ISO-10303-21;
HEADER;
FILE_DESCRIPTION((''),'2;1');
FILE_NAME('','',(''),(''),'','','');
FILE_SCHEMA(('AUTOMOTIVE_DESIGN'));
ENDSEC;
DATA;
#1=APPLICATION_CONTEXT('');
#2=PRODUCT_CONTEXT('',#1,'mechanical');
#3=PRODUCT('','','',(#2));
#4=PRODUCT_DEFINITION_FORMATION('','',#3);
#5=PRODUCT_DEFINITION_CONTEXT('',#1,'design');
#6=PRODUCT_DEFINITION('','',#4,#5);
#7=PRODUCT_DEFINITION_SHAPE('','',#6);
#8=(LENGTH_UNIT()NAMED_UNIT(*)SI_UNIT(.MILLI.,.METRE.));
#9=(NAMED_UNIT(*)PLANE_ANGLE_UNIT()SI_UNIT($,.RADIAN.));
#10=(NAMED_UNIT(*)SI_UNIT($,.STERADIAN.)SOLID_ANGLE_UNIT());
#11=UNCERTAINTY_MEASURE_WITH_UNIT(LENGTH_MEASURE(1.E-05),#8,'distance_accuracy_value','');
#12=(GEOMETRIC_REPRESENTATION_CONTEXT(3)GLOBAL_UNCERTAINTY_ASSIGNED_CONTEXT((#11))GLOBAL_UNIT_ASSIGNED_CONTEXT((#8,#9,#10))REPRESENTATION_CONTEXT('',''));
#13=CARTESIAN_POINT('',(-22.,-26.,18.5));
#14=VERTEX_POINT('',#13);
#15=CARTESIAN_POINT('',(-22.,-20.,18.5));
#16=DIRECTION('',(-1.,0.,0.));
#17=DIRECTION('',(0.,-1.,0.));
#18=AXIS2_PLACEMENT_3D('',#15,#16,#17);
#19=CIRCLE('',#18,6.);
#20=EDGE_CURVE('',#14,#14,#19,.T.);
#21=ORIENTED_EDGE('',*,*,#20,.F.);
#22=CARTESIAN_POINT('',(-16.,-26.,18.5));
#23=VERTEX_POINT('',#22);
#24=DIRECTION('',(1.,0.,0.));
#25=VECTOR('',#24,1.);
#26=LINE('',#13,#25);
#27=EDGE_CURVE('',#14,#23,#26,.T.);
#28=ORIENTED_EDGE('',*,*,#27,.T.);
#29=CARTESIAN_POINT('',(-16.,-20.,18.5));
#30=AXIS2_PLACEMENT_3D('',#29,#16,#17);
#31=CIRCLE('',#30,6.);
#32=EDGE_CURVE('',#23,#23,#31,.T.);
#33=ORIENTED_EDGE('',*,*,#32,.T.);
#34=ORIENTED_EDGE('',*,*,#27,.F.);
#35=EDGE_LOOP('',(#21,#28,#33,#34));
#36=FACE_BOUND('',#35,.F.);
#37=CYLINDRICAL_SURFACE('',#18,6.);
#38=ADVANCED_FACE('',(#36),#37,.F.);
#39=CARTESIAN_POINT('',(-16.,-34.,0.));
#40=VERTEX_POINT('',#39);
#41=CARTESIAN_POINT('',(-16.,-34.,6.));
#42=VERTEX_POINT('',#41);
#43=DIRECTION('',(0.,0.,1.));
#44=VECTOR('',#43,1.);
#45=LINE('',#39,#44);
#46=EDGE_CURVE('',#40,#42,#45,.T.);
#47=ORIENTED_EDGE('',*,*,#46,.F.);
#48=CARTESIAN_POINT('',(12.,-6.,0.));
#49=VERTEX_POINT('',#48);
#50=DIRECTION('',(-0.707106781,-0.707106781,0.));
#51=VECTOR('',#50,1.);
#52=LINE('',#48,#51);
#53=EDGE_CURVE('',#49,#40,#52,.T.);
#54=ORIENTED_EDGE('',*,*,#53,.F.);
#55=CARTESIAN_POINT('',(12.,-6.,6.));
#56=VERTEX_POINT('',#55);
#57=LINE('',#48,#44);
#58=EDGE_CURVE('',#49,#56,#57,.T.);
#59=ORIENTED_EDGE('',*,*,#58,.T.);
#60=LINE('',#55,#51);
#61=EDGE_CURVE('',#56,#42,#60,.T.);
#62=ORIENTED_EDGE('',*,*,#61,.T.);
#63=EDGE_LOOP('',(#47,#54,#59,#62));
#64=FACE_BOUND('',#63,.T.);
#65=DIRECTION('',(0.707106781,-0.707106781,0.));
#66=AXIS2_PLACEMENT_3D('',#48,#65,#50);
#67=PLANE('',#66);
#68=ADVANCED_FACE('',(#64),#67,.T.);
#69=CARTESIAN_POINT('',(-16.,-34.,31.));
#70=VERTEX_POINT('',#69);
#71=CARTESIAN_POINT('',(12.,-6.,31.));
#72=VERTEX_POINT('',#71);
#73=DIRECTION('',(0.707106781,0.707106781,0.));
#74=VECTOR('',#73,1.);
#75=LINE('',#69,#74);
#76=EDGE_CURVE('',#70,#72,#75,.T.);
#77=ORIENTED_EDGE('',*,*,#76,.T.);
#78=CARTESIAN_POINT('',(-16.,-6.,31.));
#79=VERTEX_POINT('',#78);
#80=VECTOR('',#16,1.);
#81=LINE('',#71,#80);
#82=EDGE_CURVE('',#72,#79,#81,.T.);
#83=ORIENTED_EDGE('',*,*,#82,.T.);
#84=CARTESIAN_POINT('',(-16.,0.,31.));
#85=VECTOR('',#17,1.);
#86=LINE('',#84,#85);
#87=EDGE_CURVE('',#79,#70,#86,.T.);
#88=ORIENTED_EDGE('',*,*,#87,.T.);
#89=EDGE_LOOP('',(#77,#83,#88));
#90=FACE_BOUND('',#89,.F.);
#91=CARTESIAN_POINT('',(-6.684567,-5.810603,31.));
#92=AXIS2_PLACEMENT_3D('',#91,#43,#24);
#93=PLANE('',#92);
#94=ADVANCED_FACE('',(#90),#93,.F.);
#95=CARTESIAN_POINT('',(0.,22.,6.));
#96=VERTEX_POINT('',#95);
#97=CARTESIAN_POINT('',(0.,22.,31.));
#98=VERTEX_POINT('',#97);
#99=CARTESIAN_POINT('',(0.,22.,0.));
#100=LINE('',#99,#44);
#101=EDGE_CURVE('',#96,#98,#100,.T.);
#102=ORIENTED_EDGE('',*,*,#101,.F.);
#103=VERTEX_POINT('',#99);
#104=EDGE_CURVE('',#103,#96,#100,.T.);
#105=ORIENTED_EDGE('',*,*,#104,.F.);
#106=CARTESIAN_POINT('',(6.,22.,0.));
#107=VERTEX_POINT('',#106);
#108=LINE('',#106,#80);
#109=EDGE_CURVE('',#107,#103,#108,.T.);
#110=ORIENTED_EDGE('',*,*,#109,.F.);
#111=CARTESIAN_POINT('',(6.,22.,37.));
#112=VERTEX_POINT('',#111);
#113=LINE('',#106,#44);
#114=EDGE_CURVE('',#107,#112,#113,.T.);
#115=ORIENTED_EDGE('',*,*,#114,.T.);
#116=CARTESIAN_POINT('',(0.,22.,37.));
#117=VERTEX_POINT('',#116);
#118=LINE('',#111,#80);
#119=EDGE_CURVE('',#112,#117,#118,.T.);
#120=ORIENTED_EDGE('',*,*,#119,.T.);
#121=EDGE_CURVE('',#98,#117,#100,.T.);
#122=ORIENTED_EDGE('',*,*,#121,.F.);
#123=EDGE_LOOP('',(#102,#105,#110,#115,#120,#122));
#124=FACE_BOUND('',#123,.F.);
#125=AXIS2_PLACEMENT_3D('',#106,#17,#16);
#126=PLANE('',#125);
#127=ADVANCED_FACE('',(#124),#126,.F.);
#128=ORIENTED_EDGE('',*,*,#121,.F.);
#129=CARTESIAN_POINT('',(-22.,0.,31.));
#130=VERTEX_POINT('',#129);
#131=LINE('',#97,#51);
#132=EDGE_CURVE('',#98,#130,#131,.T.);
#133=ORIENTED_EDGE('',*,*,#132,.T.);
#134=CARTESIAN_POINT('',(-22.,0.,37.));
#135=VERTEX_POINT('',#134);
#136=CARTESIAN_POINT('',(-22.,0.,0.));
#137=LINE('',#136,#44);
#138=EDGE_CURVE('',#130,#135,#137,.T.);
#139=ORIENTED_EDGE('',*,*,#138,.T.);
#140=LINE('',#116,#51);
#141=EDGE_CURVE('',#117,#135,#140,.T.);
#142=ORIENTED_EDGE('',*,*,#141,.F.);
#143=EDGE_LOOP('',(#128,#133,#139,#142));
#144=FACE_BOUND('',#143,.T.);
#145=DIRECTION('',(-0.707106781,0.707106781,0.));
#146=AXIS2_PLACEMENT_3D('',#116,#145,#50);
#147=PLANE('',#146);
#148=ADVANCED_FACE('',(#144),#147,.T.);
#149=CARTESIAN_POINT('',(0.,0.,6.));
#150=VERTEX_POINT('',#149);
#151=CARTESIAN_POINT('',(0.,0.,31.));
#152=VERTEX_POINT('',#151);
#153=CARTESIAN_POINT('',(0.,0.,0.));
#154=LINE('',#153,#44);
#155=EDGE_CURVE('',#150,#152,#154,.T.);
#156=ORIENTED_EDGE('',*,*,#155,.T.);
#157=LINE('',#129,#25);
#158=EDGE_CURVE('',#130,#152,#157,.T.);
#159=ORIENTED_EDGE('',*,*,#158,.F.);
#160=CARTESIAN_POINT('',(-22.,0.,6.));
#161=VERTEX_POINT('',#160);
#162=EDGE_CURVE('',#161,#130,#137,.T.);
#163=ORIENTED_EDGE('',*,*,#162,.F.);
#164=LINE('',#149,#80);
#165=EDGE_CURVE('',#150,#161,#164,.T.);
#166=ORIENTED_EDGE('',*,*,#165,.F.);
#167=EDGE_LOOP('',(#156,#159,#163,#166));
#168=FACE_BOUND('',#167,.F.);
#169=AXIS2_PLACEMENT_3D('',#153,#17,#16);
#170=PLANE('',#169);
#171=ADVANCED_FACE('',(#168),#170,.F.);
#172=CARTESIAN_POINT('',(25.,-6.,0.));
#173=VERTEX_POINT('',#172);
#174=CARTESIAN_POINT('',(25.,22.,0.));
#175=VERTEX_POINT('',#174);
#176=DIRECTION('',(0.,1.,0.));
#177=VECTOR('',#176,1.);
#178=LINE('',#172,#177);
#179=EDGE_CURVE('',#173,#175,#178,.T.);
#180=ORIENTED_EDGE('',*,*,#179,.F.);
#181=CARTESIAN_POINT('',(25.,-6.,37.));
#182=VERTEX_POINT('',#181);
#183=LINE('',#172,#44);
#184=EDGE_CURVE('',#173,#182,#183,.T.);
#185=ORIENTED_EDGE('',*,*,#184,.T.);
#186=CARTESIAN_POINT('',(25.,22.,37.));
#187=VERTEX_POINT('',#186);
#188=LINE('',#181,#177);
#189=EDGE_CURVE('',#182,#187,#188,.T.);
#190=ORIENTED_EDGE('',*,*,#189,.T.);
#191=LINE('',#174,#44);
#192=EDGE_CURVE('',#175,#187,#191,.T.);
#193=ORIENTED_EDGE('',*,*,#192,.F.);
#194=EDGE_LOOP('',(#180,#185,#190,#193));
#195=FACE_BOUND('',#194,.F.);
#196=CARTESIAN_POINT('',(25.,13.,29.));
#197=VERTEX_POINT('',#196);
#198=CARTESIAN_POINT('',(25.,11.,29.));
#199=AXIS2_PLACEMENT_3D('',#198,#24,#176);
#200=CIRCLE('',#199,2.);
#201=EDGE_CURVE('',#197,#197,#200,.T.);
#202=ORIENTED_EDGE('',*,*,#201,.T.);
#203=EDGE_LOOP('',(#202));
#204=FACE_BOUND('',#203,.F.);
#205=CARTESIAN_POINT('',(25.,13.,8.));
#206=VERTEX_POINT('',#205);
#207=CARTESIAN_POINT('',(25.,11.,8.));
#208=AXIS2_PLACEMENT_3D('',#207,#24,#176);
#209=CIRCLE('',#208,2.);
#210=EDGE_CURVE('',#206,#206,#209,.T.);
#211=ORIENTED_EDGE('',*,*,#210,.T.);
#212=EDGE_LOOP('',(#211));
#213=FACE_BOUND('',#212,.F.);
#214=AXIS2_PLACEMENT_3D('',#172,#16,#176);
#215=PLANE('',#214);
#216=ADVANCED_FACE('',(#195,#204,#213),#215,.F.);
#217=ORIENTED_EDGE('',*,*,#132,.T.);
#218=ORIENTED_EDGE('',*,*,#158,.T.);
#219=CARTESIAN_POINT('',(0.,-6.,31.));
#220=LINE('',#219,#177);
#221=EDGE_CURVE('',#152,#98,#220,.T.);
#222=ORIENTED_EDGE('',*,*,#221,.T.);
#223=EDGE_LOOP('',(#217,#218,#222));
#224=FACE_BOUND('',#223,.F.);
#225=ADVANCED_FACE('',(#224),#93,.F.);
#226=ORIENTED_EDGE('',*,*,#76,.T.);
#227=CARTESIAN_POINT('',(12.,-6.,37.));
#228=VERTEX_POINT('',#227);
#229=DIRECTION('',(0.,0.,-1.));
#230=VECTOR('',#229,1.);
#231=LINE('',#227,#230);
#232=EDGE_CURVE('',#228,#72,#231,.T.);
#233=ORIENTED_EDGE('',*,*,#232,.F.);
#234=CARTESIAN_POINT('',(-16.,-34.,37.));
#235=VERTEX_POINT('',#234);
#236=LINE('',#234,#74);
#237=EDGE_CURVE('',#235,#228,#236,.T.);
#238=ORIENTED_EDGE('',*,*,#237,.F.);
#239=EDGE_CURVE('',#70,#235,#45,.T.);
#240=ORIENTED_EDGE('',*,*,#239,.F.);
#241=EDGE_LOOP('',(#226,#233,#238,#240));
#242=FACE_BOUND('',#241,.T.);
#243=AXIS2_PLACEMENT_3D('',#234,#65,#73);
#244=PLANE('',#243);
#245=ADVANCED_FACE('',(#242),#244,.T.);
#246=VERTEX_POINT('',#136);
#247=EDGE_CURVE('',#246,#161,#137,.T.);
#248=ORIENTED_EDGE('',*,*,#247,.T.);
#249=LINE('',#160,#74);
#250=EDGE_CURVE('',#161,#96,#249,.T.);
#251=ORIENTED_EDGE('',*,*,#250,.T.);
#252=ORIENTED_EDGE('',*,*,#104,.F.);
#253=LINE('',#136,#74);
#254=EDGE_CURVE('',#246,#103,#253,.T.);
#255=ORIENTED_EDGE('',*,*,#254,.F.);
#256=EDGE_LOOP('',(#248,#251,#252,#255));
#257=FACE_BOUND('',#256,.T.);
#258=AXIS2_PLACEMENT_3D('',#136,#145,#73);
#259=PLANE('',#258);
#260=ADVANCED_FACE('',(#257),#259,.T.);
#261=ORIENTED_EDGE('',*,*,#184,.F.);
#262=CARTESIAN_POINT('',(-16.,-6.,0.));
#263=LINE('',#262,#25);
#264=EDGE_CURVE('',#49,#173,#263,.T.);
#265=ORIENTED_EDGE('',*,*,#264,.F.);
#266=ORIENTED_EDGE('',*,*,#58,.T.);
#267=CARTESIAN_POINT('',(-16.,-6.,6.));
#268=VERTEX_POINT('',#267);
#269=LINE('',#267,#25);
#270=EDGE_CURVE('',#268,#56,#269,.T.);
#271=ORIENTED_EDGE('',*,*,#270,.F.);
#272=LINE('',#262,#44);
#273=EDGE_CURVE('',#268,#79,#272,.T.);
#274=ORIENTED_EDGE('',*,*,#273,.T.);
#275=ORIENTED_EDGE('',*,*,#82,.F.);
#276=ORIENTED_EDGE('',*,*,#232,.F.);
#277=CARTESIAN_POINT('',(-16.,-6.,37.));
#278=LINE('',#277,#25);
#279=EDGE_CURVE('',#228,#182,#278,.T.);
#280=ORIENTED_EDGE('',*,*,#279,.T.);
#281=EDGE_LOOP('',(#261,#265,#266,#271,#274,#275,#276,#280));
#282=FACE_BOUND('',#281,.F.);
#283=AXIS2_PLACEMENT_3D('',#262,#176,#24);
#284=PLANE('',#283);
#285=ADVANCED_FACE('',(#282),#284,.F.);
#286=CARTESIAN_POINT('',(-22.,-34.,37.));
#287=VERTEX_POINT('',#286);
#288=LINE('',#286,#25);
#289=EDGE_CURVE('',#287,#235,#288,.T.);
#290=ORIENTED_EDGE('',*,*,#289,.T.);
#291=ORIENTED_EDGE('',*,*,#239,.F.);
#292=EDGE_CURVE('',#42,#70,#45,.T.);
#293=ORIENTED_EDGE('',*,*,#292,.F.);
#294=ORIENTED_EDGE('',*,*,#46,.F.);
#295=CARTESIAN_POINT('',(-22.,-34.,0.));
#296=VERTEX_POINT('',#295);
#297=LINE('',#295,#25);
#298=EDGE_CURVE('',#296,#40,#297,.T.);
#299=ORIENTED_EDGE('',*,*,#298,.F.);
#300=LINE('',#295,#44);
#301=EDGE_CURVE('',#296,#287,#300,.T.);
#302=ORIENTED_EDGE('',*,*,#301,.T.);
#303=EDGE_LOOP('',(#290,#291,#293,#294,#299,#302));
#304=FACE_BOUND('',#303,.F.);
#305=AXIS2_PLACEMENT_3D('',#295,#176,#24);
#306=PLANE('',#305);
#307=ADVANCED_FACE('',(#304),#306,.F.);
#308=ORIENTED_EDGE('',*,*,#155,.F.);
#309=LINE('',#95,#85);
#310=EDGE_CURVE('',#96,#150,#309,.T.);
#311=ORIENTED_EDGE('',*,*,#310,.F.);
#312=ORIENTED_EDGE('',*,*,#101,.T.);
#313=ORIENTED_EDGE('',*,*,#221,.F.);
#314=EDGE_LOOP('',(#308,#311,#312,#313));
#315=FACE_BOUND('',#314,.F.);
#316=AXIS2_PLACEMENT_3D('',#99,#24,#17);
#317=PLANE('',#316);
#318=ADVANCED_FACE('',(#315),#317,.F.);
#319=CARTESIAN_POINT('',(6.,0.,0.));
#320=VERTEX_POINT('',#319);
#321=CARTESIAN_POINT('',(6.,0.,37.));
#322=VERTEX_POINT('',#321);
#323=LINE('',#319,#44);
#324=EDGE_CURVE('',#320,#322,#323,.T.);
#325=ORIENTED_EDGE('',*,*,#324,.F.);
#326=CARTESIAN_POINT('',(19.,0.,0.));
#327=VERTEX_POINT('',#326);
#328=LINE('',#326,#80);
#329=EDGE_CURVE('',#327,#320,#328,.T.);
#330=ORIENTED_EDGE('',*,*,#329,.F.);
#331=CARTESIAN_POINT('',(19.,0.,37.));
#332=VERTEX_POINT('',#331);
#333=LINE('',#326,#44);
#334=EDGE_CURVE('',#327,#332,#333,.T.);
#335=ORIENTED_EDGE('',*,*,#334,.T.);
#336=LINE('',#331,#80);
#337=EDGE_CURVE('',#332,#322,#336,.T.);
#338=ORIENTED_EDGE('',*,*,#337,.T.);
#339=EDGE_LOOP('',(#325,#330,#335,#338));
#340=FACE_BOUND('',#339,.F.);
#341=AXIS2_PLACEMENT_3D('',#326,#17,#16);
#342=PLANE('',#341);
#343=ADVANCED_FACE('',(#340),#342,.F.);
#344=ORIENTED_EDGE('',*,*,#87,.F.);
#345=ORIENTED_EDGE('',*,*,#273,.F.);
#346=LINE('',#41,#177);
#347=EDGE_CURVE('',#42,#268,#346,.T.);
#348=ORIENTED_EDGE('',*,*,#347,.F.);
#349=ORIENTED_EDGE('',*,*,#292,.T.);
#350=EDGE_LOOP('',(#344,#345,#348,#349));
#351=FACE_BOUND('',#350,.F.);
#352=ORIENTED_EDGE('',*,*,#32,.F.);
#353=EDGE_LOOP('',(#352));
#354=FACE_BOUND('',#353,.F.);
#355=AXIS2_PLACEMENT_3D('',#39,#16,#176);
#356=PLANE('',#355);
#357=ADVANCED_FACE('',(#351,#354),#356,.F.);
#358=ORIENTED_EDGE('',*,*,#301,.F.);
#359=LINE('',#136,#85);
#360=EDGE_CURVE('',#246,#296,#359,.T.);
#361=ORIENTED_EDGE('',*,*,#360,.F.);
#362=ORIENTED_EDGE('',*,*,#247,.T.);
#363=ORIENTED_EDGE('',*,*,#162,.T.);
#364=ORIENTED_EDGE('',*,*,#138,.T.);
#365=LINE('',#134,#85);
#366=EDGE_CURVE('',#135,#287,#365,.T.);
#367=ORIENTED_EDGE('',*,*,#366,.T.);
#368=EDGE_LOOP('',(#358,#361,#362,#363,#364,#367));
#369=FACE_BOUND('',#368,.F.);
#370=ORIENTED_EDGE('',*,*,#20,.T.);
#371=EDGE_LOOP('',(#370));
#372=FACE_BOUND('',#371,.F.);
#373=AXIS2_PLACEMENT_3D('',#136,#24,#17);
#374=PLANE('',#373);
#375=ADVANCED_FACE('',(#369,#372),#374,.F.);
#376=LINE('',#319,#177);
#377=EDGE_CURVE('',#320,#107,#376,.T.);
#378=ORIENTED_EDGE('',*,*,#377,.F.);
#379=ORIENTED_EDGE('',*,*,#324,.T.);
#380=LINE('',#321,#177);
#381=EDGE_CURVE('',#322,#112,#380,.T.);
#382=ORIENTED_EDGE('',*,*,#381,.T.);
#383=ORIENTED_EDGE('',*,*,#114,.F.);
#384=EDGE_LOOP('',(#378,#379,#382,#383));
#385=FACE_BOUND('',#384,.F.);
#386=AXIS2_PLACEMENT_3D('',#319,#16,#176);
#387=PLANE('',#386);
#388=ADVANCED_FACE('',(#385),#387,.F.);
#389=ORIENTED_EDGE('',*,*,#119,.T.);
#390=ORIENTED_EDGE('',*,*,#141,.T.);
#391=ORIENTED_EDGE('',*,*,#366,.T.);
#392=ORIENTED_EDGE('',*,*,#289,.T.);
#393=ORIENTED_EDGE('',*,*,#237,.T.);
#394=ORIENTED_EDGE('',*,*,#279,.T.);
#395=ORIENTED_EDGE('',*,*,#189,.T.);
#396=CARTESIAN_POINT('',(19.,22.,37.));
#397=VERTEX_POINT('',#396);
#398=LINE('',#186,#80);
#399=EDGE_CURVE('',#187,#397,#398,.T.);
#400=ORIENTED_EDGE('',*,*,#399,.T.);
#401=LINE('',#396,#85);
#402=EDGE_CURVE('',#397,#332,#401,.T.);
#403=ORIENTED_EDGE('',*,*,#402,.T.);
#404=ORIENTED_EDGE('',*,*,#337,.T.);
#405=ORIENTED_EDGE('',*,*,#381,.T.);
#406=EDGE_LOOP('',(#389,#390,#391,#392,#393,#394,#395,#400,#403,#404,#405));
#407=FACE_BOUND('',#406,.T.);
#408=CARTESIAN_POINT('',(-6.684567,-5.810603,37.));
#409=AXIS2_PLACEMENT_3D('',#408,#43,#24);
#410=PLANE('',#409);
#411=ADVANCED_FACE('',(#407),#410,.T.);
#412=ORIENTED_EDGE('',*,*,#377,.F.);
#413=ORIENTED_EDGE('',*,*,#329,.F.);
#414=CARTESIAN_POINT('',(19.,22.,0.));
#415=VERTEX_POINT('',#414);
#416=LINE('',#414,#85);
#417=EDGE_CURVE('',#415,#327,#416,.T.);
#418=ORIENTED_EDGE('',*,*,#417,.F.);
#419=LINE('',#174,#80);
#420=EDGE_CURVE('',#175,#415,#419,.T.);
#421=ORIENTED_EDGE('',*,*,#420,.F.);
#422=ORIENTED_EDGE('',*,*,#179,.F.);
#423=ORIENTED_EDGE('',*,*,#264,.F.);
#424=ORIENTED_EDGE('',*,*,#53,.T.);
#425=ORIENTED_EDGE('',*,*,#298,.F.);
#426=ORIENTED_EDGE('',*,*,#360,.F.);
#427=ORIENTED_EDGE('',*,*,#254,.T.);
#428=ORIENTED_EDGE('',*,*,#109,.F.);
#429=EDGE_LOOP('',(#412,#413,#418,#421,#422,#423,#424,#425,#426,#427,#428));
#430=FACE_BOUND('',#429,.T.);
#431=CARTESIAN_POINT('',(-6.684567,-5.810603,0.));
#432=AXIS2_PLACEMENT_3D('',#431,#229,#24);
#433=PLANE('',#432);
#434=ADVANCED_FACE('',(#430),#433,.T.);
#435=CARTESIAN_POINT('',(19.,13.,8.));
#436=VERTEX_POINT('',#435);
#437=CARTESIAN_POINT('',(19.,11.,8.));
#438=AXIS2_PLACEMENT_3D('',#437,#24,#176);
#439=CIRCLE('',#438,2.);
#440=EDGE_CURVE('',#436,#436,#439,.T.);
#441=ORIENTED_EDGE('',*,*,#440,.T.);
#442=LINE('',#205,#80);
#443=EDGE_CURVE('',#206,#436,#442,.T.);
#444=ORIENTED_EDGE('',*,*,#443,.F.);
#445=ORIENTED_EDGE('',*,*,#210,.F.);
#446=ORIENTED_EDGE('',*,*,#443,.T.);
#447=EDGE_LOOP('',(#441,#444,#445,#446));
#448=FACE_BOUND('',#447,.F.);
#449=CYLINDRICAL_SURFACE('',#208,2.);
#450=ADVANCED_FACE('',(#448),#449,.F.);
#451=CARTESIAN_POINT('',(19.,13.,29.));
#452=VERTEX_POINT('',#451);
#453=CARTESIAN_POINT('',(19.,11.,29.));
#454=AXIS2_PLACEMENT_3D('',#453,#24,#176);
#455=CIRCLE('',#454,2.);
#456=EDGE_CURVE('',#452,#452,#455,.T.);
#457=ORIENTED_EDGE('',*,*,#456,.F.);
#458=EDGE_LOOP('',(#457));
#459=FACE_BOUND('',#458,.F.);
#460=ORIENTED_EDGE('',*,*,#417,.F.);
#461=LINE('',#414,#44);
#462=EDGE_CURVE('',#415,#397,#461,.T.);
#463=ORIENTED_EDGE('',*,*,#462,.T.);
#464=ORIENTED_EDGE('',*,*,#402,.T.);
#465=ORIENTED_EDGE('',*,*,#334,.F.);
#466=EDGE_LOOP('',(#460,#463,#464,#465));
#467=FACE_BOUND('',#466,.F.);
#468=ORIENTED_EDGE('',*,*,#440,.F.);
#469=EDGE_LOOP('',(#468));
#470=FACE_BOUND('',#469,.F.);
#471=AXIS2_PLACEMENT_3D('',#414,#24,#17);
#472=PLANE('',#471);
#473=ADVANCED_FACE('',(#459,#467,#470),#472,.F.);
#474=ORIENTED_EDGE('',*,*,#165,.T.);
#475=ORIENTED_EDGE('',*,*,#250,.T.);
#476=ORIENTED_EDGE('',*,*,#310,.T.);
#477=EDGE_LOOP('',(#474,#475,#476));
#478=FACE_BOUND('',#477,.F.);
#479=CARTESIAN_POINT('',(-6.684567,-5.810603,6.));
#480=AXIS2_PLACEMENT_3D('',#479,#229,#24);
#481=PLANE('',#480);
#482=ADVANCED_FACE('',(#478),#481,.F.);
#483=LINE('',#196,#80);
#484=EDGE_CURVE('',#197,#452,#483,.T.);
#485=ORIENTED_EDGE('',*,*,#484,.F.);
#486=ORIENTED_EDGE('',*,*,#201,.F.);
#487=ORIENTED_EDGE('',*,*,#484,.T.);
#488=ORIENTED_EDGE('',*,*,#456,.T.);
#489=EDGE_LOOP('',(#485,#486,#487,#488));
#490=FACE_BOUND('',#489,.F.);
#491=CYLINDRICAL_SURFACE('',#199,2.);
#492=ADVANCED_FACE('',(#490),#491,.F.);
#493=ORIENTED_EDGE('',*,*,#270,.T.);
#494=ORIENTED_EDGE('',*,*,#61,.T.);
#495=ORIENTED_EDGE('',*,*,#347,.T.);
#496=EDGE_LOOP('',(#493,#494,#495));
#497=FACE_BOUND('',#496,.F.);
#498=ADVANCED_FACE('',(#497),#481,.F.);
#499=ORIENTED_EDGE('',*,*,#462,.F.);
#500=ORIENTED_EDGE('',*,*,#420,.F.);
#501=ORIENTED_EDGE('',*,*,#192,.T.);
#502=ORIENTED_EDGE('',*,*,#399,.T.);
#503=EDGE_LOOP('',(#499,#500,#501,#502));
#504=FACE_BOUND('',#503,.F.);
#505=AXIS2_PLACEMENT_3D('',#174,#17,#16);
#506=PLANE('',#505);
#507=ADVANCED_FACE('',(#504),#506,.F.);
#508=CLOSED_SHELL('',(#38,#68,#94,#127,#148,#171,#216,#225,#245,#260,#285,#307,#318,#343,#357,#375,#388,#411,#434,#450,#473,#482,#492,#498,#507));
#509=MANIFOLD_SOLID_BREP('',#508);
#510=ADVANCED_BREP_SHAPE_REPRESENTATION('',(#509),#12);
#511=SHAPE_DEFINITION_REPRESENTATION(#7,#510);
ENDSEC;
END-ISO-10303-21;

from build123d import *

# Parameters (mm, degrees)
PAD_DEPTH       = 37
PAD001_DEPTH    = 6
PAD002_DEPTH    = 6
SKETCH003_R     = 6
POCKET_DEPTH    = 47.001
SKETCH004_R     = 2
POCKET001_DEPTH = 6


with BuildPart() as part:
    # Sketch → Pad (new body)
    with BuildSketch(Plane.XY):
        Polygon((0, 0), (-22, 0), (-22, -34), (-16, -34), (-16, -6), (25, -6), (25, 22), (19, 22), (19, 0), (6, 0), (6, 22), (0, 22), align=None)
    extrude(amount=PAD_DEPTH)

    # Sketch001 (on Face14 of Pad) → Pad001 (join)
    with BuildSketch(Plane.XY.offset(37)):
        Polygon((-16, -6), (-16, -34), (12, -6), (0, -6), (0, 0), (0, 22), (-22, 0), (-16, 0), align=None)
    extrude(amount=-PAD001_DEPTH)

    # Sketch002 (on Face2 of Pad001) → Pad002 (join)
    with BuildSketch(Plane(origin=(0, 0, 0), x_dir=(1, 0, 0), z_dir=(0, 0, -1))):
        Polygon((-16, 34), (-16, 0), (-22, 0), (0, -22), (0, 6), (12, 6), align=None)
    extrude(amount=-PAD002_DEPTH)

    # Sketch003 (on Face15 of Pad002) → Pocket (cut, through all)
    with BuildSketch(Plane(origin=(-22, 0, 0), x_dir=(0, -1, 0), z_dir=(-1, 0, 0))):
        with Locations((20, 18.5)):
            Circle(SKETCH003_R)
    extrude(amount=-POCKET_DEPTH, mode=Mode.SUBTRACT)

    # Sketch004 (on Face11 of Pocket) → Pocket001 (cut)
    with BuildSketch(Plane.YZ.offset(25)):
        with Locations((11, 29)):
            Circle(SKETCH004_R)
        with Locations((11, 8)):
            Circle(SKETCH004_R)
    extrude(amount=-POCKET001_DEPTH, mode=Mode.SUBTRACT)


solid = part.part
